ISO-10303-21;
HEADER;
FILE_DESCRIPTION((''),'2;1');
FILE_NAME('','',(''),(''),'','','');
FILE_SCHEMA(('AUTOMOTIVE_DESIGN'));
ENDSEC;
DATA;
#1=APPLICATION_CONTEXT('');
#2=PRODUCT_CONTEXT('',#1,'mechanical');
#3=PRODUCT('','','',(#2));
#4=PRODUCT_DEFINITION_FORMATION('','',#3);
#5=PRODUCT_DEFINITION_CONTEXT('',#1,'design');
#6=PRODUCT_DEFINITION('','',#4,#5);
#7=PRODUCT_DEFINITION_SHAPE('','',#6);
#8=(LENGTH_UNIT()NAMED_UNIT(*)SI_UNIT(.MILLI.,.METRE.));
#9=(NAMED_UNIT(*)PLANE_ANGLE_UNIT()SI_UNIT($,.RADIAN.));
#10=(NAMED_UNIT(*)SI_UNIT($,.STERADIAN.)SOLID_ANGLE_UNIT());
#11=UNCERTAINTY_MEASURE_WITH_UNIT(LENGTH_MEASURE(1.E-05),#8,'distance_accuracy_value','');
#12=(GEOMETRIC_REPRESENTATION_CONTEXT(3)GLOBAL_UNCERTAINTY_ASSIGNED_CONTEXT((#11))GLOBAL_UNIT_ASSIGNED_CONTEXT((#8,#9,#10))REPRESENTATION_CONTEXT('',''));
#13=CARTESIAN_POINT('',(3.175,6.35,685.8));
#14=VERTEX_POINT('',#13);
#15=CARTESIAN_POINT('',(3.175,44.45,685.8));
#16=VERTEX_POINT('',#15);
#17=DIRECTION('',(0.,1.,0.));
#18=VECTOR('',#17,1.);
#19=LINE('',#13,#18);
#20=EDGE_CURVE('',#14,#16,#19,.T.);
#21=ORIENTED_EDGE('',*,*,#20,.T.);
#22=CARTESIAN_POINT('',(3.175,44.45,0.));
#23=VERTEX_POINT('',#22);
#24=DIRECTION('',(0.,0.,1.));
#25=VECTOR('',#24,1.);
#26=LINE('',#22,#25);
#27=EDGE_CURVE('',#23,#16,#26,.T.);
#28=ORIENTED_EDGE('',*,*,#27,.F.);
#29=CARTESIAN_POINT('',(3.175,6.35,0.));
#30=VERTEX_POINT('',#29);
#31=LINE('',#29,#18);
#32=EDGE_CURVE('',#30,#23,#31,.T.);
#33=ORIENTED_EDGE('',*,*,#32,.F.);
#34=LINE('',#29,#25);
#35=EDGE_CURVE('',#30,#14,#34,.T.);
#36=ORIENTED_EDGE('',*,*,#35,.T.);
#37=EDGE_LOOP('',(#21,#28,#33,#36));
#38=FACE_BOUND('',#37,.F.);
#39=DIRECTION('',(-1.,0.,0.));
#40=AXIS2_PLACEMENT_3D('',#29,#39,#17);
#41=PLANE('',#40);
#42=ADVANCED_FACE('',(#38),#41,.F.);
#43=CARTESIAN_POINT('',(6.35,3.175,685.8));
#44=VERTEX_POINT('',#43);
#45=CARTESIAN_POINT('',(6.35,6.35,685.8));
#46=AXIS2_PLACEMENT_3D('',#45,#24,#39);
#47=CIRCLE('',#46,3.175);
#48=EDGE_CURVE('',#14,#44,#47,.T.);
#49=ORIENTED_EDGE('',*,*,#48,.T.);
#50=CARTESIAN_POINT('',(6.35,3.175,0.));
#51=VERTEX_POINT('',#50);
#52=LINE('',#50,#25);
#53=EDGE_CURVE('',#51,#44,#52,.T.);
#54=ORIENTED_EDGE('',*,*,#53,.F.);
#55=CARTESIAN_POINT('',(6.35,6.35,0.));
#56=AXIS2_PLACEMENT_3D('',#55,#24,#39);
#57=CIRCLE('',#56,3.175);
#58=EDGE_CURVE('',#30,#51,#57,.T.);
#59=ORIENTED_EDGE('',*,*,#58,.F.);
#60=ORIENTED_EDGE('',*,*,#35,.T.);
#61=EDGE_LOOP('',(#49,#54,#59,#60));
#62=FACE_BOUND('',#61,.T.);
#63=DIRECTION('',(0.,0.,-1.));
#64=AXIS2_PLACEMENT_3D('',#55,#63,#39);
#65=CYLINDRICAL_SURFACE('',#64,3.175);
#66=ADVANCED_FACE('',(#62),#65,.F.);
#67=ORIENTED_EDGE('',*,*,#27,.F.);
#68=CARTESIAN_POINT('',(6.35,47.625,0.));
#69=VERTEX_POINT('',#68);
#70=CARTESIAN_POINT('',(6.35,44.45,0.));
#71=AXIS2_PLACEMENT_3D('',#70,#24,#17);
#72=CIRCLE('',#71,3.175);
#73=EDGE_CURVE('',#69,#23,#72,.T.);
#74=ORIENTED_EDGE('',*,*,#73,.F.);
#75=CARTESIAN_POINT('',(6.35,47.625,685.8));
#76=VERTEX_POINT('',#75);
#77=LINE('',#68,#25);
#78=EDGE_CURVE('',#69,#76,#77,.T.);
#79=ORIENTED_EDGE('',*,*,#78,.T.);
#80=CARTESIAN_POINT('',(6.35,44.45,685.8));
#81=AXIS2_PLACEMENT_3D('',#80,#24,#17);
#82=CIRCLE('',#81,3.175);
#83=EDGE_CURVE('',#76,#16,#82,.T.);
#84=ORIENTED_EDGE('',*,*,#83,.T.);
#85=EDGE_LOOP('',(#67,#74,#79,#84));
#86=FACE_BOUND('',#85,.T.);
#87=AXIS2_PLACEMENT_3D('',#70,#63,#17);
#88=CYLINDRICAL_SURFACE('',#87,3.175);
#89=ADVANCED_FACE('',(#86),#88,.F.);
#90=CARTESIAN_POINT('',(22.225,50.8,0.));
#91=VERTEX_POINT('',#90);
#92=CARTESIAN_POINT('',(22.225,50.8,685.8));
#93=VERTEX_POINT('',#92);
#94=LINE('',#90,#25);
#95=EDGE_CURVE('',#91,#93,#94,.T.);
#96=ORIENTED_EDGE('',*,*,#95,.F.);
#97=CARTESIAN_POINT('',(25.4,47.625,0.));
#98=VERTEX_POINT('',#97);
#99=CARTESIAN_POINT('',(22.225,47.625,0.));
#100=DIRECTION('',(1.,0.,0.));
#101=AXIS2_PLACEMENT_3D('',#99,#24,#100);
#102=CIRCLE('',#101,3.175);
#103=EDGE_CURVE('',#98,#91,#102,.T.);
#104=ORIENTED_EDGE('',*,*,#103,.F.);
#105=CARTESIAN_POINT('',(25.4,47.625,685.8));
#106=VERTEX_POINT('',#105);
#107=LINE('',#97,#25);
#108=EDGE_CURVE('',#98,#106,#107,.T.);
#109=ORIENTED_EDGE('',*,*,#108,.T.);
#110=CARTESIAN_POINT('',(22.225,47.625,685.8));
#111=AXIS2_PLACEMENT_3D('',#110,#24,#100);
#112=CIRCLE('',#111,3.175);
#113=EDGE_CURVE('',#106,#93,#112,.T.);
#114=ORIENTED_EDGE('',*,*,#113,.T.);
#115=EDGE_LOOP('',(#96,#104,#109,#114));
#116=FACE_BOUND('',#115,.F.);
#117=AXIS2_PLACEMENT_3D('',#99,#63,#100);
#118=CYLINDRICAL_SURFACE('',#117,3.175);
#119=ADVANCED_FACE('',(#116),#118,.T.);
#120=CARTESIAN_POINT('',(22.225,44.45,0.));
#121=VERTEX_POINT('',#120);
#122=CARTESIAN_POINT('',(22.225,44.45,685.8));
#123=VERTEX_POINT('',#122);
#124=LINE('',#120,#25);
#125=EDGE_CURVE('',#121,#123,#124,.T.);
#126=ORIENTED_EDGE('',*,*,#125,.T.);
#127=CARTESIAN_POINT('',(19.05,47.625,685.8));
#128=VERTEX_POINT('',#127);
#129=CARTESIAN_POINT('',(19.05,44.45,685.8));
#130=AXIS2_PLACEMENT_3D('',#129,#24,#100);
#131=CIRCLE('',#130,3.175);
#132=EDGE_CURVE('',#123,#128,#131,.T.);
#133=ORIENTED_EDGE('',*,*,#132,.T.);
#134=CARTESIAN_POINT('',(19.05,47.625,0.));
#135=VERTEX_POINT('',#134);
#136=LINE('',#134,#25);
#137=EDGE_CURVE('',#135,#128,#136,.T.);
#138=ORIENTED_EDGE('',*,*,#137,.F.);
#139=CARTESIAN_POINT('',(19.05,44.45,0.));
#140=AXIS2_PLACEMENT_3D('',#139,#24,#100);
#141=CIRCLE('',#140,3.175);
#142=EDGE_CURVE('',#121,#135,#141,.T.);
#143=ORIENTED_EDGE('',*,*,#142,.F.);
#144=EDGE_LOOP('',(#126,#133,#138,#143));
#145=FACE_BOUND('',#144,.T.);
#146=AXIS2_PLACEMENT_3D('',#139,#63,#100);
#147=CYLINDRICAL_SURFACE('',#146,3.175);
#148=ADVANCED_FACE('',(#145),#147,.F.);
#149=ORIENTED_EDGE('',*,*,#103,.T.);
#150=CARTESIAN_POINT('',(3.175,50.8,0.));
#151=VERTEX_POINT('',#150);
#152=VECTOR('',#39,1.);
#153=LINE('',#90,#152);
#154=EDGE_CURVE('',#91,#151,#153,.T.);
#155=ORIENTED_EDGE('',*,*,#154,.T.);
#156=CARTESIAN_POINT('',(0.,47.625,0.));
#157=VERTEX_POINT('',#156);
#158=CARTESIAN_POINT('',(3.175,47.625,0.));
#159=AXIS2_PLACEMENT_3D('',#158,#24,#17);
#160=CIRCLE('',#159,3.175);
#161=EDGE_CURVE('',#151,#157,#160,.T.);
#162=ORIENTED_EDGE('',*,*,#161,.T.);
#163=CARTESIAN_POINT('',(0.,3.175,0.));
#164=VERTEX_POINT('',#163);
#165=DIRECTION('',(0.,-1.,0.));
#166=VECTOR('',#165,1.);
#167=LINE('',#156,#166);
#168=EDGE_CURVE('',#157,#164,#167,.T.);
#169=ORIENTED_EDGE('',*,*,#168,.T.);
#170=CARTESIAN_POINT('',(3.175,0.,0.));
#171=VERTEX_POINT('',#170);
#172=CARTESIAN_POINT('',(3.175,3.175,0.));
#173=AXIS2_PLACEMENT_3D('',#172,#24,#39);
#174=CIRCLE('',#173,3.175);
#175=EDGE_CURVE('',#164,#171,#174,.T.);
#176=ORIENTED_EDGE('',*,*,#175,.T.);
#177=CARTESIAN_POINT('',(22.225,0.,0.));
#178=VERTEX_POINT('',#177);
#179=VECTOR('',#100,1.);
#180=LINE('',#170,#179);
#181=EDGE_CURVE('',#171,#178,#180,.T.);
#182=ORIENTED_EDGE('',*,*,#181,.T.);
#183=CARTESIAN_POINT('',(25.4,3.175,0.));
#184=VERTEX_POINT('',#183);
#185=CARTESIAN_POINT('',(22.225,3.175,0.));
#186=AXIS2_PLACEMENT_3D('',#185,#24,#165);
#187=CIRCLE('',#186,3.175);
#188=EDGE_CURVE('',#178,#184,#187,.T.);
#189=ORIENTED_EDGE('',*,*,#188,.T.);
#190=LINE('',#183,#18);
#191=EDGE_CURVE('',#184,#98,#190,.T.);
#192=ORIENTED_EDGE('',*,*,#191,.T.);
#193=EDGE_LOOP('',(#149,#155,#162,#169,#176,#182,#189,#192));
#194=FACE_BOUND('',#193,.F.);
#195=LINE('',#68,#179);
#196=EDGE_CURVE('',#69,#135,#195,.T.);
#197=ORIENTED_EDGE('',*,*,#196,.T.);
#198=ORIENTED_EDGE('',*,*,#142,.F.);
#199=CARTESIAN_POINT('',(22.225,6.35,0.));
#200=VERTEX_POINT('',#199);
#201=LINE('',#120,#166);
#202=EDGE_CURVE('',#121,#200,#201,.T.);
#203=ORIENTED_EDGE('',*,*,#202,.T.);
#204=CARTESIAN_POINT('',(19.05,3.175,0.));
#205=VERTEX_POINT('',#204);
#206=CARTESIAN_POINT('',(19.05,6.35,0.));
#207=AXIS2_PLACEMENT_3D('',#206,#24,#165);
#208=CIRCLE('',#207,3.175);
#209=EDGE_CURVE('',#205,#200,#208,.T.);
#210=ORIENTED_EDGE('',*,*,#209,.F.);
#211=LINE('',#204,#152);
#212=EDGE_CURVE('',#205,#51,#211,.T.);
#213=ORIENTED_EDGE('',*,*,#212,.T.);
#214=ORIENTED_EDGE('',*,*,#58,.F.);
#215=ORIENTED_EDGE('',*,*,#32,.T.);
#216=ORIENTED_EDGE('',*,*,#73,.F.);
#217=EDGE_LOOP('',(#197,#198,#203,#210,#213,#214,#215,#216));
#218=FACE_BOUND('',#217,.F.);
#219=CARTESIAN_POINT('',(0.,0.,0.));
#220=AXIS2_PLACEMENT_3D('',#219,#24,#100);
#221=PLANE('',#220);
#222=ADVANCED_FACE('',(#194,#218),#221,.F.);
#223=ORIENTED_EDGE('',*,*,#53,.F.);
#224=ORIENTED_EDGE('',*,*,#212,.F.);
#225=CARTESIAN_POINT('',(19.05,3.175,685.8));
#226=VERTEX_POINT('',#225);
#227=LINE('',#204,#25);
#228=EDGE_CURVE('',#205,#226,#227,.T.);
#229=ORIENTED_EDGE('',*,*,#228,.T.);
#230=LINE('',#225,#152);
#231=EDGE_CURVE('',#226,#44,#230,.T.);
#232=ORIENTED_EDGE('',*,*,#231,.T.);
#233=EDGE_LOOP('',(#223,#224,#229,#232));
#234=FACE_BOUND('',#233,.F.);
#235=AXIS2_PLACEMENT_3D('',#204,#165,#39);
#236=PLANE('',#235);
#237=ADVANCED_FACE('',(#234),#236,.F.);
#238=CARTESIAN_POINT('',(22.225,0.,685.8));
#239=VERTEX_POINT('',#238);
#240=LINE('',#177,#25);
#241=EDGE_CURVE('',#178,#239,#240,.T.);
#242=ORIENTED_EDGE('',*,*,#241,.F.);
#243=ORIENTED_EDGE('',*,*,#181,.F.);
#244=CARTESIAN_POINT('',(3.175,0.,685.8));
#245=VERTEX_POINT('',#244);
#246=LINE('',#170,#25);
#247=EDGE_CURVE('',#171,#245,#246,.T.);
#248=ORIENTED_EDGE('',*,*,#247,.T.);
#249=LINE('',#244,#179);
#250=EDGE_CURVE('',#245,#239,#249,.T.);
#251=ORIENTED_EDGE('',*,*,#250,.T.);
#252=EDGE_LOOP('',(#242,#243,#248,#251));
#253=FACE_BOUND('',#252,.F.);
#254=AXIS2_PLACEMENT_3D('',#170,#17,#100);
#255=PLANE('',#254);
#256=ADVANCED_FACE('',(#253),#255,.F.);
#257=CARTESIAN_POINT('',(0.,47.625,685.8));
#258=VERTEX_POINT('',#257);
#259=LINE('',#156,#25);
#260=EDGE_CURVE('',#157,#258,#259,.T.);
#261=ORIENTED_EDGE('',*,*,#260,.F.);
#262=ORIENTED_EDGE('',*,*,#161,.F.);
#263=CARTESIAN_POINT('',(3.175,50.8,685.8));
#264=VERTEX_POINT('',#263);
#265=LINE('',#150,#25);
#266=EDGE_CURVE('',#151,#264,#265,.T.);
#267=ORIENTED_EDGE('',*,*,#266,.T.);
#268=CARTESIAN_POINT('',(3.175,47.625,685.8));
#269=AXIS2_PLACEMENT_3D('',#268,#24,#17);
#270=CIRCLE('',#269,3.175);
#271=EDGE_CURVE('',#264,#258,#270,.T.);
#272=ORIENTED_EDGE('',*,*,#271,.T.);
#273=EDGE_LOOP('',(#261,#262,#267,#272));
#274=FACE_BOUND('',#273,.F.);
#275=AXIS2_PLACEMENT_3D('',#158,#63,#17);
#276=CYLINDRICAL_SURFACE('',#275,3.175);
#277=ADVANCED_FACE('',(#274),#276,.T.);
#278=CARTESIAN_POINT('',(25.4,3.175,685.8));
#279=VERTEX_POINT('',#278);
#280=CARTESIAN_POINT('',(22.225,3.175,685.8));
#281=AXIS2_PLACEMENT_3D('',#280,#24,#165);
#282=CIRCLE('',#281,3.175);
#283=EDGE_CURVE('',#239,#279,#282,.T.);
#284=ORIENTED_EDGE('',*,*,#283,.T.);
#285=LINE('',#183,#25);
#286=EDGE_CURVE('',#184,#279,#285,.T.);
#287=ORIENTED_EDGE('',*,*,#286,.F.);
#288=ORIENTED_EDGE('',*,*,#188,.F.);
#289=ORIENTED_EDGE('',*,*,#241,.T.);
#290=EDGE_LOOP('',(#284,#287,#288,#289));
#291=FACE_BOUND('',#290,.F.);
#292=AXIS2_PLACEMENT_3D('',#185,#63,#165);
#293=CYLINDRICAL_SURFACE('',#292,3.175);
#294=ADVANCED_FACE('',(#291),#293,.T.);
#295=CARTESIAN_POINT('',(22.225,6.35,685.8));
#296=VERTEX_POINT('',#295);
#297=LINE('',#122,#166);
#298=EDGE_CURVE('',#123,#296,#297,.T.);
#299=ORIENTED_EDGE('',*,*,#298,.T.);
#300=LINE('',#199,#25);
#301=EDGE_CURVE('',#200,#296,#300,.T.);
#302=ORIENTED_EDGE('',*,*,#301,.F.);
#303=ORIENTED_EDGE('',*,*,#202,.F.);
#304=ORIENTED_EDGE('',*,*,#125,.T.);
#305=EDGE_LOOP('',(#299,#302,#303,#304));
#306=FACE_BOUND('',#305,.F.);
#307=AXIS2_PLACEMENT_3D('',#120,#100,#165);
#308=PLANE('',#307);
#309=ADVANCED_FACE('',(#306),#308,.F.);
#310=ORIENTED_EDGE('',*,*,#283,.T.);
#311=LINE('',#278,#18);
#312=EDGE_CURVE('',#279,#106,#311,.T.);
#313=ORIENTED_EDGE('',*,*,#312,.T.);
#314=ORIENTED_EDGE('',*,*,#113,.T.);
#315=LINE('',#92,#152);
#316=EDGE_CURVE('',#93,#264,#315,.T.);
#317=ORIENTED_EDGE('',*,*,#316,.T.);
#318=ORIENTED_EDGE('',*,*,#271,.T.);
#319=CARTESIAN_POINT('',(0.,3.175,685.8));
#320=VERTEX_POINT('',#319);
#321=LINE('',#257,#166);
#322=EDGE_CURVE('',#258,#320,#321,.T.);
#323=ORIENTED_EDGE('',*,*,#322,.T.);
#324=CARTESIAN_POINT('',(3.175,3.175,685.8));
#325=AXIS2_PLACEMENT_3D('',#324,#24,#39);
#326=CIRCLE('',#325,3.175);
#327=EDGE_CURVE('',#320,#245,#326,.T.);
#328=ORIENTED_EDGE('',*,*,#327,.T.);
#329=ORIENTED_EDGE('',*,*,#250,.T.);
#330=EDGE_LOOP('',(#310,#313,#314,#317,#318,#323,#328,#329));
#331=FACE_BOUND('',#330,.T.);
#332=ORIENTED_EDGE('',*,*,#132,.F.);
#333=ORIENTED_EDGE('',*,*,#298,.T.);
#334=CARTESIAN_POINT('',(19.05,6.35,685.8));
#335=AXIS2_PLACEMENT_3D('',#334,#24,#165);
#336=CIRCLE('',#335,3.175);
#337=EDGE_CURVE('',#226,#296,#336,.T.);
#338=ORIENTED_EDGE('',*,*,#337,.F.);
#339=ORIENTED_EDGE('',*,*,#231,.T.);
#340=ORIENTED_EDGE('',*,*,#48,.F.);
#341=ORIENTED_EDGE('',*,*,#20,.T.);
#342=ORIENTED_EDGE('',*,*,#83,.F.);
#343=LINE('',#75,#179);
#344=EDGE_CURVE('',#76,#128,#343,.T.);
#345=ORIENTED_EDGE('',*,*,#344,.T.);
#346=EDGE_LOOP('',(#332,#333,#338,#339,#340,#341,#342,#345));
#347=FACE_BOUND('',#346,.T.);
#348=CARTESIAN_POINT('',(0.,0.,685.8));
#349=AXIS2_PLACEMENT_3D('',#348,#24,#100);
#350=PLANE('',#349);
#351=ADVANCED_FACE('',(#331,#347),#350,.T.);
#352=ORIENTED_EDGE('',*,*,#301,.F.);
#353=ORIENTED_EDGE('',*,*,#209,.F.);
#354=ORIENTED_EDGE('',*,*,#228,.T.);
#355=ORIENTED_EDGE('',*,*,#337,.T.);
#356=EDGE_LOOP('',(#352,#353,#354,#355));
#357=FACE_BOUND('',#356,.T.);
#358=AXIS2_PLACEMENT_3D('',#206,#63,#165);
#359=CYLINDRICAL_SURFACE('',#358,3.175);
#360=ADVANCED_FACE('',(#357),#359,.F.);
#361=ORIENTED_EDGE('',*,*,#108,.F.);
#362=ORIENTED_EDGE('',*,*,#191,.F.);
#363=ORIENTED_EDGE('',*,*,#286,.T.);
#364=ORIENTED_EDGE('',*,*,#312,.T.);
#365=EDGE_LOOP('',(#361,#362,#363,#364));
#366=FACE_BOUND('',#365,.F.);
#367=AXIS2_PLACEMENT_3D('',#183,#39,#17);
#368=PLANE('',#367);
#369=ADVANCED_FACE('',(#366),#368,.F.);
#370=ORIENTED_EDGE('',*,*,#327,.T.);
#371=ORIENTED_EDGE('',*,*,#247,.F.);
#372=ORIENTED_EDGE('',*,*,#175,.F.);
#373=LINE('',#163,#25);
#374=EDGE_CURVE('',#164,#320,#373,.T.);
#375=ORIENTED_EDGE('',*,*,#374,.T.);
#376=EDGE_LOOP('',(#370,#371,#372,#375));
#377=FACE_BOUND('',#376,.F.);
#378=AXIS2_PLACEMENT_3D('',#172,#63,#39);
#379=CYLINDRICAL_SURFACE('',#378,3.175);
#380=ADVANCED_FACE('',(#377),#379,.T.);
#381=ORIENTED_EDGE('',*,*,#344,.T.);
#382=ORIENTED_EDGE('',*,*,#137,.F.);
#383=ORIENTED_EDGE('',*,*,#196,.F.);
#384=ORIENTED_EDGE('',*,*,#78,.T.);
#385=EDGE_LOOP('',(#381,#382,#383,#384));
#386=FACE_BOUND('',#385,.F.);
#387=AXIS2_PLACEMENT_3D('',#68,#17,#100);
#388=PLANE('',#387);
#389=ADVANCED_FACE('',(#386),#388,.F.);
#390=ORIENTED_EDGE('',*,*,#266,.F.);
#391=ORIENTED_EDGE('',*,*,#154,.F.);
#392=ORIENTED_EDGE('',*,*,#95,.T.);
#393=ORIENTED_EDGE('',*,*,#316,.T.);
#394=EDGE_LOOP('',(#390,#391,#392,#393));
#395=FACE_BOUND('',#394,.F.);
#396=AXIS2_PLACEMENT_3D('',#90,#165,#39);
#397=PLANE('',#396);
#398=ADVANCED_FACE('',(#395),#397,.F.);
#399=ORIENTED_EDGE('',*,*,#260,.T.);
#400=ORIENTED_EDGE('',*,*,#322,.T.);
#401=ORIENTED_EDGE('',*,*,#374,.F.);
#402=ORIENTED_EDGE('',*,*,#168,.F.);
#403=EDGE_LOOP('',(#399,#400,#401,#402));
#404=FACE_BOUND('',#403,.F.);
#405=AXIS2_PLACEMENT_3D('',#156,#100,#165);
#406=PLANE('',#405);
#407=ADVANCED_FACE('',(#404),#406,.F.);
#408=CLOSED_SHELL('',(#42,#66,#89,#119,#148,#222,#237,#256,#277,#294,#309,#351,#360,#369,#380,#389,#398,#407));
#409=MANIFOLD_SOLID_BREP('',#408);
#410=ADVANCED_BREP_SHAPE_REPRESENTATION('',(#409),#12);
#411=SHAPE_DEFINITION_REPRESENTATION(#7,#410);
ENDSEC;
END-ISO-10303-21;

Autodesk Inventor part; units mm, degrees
ref_plane "YZ Plane" through (0, 0, 0) normal (1, 0, 0) x (0, 1, 0)
ref_plane "XZ Plane" through (0, 0, 0) normal (0, 1, 0) x (-1, 0, 0)
ref_plane "XY Plane" through (0, 0, 0) normal (0, 0, 1) x (1, 0, 0)
sketch "Sketch1" plane through (0, 0, 0) normal (0, 0, 1) x (1, 0, 0)
  line L0 (3.175, 0) -> (22.225, 0)
  line L1 (25.4, 3.175) -> (25.4, 47.625)
  line L2 (22.225, 50.8) -> (3.175, 50.8)
  line L3 (0, 47.625) -> (0, 3.175)
  arc A0 (3.175, 50.8) -> (0, 47.625) centre (3.175, 47.625) ccw
  arc A1 (25.4, 47.625) -> (22.225, 50.8) centre (22.225, 47.625) ccw
  arc A2 (22.225, 0) -> (25.4, 3.175) centre (22.225, 3.175) ccw
  arc A3 (0, 3.175) -> (3.175, 0) centre (3.175, 3.175) ccw
  line L4 (6.35, 47.625) -> (19.05, 47.625)
  line L5 (22.225, 44.45) -> (22.225, 6.35)
  line L6 (19.05, 3.175) -> (6.35, 3.175)
  line L7 (3.175, 6.35) -> (3.175, 44.45)
  arc A4 (6.35, 47.625) -> (3.175, 44.45) centre (6.35, 44.45) ccw
  arc A5 (22.225, 44.45) -> (19.05, 47.625) centre (19.05, 44.45) ccw
  arc A6 (3.175, 6.35) -> (6.35, 3.175) centre (6.35, 6.35) ccw
  arc A7 (19.05, 3.175) -> (22.225, 6.35) centre (19.05, 6.35) ccw
  point P0 (0, 0)
  point P1 (25.4, 0)
  point P2 (0, 50.8)
  dimension "d0" = 50.8
  dimension "d1" = 25.4
  dimension "d2" = 3.175
  dimension "d3" = 3.175
  dimension "d4" = 3.175
  dimension "d5" = 3.175
  dimension "d6" = 3.175
  dimension "d7" = 3.175
  dimension "d8" = 3.175
  dimension "d9" = 3.175
  dimension "d10" = 3.175
extrude "Extrusion1" add sketch "Sketch1" along normal blind 685.8
properties part number "O channel 27 inch"
